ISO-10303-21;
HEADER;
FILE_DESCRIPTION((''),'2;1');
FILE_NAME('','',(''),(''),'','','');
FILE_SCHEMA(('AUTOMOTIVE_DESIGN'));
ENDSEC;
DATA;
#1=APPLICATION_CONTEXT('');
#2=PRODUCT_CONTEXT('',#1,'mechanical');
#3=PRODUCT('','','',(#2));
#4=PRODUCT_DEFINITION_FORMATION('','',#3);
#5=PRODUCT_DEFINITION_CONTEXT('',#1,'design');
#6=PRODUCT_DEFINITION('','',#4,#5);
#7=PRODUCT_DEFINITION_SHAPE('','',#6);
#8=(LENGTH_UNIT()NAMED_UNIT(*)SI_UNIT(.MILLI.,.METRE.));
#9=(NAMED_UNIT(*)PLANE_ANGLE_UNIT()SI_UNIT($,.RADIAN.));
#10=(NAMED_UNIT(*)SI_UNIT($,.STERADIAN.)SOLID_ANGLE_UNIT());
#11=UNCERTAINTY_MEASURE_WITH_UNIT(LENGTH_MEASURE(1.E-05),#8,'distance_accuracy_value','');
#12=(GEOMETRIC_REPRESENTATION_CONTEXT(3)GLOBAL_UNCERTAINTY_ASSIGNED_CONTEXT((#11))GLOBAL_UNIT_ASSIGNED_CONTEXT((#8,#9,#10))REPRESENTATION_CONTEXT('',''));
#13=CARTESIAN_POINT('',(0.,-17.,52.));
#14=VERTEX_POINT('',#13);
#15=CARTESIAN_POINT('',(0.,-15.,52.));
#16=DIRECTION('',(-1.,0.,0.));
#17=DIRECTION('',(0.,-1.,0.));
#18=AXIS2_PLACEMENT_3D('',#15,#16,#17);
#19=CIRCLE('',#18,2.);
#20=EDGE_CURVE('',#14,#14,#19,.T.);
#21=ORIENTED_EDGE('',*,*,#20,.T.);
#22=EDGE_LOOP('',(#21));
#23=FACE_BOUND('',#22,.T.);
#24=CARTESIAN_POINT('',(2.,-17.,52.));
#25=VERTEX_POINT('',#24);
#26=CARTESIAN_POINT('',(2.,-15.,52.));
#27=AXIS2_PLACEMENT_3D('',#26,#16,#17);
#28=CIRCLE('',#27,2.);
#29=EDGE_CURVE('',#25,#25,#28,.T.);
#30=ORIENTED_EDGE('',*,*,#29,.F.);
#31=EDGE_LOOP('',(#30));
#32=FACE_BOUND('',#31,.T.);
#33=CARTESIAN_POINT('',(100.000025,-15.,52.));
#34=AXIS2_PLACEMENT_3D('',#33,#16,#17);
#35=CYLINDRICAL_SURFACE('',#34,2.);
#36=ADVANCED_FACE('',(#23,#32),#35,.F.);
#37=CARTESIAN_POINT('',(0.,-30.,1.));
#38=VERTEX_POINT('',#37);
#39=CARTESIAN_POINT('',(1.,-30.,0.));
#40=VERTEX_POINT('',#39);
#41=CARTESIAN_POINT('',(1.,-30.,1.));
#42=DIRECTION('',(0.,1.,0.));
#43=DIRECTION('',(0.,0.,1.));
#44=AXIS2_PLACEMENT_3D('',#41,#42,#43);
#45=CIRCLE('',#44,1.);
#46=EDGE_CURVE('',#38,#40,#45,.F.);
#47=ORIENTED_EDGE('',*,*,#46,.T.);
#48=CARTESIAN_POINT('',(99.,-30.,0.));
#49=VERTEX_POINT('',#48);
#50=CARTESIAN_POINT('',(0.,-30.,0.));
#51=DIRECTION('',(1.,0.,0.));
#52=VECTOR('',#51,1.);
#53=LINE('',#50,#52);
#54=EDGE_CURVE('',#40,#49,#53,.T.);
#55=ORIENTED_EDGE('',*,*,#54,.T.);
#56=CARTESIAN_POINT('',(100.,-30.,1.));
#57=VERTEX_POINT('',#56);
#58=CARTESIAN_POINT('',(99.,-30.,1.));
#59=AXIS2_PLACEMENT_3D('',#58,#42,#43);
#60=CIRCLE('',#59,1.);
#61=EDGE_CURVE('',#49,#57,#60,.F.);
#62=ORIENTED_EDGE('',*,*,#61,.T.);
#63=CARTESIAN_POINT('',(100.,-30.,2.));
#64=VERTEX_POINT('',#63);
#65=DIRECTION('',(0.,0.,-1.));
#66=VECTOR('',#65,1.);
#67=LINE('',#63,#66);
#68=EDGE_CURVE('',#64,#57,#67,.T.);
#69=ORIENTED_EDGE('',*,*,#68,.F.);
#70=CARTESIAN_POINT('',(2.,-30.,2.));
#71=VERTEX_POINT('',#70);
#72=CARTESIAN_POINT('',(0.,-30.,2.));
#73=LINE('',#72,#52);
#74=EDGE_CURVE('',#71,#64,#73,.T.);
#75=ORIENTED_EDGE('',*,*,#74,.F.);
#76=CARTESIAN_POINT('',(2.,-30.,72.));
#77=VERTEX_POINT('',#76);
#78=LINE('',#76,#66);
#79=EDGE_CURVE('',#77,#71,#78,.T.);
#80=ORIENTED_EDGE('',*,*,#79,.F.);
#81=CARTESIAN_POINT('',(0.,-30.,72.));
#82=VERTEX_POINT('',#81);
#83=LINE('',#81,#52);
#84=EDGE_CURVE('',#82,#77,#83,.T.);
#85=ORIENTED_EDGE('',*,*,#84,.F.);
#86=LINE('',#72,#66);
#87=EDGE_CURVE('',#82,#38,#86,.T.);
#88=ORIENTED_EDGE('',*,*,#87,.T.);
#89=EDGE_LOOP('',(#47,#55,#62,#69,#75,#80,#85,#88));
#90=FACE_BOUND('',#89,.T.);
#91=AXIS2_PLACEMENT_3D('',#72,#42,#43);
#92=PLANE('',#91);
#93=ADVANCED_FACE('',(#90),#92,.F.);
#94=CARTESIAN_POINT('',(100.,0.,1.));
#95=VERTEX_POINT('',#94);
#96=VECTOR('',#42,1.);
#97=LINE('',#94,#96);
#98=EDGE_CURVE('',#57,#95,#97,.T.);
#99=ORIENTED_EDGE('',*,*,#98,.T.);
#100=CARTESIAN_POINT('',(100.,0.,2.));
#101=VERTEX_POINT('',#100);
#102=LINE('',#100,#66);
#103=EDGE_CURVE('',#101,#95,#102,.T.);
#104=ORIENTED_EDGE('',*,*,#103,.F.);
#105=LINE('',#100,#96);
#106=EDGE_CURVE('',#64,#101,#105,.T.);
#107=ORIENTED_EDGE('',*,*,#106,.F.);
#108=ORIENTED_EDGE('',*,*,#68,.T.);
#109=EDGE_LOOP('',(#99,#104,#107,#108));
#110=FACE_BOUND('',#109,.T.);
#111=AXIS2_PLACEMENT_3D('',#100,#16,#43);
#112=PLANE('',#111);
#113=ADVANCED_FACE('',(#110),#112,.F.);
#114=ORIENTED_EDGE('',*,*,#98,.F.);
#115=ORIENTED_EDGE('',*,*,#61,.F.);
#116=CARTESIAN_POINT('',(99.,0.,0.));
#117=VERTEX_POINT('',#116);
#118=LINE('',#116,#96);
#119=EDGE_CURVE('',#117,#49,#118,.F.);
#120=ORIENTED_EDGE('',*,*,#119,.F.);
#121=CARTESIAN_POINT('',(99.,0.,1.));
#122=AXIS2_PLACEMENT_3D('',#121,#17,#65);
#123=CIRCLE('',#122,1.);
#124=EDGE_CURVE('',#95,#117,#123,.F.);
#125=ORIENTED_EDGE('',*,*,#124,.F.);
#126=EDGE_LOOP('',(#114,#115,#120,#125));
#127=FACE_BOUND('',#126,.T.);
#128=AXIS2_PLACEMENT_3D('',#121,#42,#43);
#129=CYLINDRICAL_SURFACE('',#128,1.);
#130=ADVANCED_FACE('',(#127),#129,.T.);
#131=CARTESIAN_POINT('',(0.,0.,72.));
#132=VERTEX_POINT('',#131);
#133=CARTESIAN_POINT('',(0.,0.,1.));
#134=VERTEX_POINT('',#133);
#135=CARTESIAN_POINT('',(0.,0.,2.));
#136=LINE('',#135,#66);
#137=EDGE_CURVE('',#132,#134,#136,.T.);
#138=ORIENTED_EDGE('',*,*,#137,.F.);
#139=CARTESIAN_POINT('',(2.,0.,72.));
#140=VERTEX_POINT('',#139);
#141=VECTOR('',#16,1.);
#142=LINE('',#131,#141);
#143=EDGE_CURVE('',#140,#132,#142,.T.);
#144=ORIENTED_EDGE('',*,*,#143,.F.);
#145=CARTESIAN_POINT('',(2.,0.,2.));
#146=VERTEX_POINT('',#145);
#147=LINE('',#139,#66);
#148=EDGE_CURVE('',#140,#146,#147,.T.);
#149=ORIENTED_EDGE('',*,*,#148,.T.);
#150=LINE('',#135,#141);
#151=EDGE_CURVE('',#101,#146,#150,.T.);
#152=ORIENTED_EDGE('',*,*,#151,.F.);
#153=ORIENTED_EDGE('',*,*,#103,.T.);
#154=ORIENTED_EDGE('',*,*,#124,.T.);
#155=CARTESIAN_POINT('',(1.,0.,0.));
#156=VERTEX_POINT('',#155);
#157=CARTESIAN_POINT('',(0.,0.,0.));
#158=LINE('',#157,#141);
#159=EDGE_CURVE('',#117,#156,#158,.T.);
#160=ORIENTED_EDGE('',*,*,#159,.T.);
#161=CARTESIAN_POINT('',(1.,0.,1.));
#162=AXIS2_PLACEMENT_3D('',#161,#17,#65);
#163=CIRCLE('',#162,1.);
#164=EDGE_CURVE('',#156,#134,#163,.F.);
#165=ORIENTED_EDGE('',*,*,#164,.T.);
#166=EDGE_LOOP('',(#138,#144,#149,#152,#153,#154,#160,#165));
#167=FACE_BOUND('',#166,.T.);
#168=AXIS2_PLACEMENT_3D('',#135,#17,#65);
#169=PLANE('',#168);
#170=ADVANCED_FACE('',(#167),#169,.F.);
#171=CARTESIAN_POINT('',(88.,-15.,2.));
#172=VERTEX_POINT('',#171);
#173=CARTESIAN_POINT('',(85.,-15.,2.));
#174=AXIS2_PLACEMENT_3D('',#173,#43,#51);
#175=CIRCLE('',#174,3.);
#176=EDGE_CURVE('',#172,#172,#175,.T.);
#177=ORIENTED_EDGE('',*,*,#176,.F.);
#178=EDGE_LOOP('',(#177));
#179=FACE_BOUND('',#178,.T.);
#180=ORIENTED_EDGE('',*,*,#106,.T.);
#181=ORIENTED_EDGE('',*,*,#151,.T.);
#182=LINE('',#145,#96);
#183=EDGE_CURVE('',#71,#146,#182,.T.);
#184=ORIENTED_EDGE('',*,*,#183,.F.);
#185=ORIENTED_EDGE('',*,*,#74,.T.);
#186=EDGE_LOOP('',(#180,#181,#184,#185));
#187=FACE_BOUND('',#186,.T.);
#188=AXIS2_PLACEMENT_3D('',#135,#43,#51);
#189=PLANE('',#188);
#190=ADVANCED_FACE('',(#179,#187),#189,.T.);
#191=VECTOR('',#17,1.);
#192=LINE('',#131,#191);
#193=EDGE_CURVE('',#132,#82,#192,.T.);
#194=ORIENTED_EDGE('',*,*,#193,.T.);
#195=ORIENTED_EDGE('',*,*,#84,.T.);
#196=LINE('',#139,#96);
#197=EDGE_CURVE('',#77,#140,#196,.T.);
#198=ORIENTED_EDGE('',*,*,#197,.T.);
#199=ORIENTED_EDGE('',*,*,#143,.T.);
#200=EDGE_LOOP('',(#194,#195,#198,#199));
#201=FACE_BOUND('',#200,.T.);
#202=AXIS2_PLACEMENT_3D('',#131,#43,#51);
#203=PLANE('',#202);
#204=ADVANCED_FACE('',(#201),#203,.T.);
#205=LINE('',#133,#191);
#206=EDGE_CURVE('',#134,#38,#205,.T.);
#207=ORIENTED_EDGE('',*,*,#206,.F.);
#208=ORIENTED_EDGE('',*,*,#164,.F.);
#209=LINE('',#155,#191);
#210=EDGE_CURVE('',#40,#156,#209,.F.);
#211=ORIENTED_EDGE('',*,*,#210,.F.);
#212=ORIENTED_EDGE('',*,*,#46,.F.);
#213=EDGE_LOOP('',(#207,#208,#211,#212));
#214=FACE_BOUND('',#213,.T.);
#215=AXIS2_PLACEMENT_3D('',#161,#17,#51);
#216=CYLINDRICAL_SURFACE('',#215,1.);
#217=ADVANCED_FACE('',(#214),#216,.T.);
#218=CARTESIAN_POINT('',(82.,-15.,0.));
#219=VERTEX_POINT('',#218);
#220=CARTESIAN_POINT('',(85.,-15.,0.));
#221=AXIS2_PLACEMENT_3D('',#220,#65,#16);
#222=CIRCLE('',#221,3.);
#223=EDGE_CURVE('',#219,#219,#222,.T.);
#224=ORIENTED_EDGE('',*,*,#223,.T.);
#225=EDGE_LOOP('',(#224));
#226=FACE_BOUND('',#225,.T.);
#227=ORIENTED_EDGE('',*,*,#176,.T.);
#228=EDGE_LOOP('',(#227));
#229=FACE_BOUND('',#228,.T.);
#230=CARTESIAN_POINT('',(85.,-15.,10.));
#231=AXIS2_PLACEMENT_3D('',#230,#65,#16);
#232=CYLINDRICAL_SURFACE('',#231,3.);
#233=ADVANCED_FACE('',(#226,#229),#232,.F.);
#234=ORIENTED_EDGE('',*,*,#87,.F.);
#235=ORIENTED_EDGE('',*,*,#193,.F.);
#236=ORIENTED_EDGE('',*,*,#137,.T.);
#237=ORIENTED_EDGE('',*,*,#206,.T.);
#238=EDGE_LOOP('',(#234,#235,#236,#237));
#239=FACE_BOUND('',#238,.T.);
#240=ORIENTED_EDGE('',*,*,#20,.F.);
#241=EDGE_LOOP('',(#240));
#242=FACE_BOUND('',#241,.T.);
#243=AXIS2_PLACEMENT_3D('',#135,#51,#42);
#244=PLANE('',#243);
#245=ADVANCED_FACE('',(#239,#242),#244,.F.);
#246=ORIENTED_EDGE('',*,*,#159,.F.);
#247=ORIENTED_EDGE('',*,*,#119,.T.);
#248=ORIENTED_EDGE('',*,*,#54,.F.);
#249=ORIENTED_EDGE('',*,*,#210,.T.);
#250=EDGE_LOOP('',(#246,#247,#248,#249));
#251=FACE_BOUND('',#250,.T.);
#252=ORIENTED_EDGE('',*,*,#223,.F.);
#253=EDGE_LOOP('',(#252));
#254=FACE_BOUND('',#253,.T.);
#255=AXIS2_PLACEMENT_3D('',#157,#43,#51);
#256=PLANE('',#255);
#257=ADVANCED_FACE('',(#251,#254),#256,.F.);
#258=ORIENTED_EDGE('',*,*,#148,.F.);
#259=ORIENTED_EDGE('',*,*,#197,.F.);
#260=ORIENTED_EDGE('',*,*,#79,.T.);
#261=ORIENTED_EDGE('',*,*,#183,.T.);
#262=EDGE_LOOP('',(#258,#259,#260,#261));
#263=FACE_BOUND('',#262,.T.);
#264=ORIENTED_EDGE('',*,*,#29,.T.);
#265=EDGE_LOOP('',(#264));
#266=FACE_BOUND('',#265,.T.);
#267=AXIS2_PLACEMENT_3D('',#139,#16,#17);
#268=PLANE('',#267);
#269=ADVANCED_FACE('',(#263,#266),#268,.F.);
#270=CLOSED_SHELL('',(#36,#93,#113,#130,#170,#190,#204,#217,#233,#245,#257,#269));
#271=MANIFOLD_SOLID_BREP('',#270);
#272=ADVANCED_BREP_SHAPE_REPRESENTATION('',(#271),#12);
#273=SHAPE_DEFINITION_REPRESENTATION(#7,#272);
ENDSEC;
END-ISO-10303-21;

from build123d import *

# Parameters (mm, degrees)
ESQUISSE1_W             = 100
ESQUISSE1_H             = 30
BOSS_EXTRU_1_DEPTH      = 2
ESQUISSE2_W             = 2
ESQUISSE2_H             = 30
BOSS_EXTRU_2_DEPTH      = 70
ESQUISSE4_R             = 2
ENL_V_MAT_EXTRU_1_DEPTH = 101
CONG_1_R                = 1
CONG_2_R                = 1
ESQUISSE5_R             = 3
ENL_V_MAT_EXTRU_2_DEPTH = 10


with BuildPart() as part:
    # Esquisse1 → Boss.-Extru.1 (new body)
    with BuildSketch(Plane.XY):
        with Locations((50, -15)):
            Rectangle(ESQUISSE1_W, ESQUISSE1_H)
    extrude(amount=BOSS_EXTRU_1_DEPTH)

    # Esquisse2 → Boss.-Extru.2 (add)
    with BuildSketch(Plane.XY.offset(2)):
        with Locations((1, -15)):
            Rectangle(ESQUISSE2_W, ESQUISSE2_H)
    extrude(amount=BOSS_EXTRU_2_DEPTH)

    # Esquisse4 → Enlèv. mat.-Extru.1 (cut, through all)
    with BuildSketch(Plane.ZY):
        with Locations((52, -15)):
            Circle(ESQUISSE4_R)
    extrude(amount=-ENL_V_MAT_EXTRU_1_DEPTH, mode=Mode.SUBTRACT)

    # Congé1
    cong_1_edges = [part.edges().sort_by_distance(p)[0] for p in [
        (0, -15, 0),
    ]]
    fillet(cong_1_edges, radius=CONG_1_R)

    # Congé2
    cong_2_edges = [part.edges().sort_by_distance(p)[0] for p in [
        (100, -15, 0),
    ]]
    fillet(cong_2_edges, radius=CONG_2_R)

    # Esquisse5 → Enlèv. mat.-Extru.2 (cut)
    with BuildSketch(Plane(origin=(0, 0, 0), x_dir=(-1, 0, 0), z_dir=(0, 0, -1))):
        with Locations((-85, -15)):
            Circle(ESQUISSE5_R)
    extrude(amount=-ENL_V_MAT_EXTRU_2_DEPTH, mode=Mode.SUBTRACT)


solid = part.part
